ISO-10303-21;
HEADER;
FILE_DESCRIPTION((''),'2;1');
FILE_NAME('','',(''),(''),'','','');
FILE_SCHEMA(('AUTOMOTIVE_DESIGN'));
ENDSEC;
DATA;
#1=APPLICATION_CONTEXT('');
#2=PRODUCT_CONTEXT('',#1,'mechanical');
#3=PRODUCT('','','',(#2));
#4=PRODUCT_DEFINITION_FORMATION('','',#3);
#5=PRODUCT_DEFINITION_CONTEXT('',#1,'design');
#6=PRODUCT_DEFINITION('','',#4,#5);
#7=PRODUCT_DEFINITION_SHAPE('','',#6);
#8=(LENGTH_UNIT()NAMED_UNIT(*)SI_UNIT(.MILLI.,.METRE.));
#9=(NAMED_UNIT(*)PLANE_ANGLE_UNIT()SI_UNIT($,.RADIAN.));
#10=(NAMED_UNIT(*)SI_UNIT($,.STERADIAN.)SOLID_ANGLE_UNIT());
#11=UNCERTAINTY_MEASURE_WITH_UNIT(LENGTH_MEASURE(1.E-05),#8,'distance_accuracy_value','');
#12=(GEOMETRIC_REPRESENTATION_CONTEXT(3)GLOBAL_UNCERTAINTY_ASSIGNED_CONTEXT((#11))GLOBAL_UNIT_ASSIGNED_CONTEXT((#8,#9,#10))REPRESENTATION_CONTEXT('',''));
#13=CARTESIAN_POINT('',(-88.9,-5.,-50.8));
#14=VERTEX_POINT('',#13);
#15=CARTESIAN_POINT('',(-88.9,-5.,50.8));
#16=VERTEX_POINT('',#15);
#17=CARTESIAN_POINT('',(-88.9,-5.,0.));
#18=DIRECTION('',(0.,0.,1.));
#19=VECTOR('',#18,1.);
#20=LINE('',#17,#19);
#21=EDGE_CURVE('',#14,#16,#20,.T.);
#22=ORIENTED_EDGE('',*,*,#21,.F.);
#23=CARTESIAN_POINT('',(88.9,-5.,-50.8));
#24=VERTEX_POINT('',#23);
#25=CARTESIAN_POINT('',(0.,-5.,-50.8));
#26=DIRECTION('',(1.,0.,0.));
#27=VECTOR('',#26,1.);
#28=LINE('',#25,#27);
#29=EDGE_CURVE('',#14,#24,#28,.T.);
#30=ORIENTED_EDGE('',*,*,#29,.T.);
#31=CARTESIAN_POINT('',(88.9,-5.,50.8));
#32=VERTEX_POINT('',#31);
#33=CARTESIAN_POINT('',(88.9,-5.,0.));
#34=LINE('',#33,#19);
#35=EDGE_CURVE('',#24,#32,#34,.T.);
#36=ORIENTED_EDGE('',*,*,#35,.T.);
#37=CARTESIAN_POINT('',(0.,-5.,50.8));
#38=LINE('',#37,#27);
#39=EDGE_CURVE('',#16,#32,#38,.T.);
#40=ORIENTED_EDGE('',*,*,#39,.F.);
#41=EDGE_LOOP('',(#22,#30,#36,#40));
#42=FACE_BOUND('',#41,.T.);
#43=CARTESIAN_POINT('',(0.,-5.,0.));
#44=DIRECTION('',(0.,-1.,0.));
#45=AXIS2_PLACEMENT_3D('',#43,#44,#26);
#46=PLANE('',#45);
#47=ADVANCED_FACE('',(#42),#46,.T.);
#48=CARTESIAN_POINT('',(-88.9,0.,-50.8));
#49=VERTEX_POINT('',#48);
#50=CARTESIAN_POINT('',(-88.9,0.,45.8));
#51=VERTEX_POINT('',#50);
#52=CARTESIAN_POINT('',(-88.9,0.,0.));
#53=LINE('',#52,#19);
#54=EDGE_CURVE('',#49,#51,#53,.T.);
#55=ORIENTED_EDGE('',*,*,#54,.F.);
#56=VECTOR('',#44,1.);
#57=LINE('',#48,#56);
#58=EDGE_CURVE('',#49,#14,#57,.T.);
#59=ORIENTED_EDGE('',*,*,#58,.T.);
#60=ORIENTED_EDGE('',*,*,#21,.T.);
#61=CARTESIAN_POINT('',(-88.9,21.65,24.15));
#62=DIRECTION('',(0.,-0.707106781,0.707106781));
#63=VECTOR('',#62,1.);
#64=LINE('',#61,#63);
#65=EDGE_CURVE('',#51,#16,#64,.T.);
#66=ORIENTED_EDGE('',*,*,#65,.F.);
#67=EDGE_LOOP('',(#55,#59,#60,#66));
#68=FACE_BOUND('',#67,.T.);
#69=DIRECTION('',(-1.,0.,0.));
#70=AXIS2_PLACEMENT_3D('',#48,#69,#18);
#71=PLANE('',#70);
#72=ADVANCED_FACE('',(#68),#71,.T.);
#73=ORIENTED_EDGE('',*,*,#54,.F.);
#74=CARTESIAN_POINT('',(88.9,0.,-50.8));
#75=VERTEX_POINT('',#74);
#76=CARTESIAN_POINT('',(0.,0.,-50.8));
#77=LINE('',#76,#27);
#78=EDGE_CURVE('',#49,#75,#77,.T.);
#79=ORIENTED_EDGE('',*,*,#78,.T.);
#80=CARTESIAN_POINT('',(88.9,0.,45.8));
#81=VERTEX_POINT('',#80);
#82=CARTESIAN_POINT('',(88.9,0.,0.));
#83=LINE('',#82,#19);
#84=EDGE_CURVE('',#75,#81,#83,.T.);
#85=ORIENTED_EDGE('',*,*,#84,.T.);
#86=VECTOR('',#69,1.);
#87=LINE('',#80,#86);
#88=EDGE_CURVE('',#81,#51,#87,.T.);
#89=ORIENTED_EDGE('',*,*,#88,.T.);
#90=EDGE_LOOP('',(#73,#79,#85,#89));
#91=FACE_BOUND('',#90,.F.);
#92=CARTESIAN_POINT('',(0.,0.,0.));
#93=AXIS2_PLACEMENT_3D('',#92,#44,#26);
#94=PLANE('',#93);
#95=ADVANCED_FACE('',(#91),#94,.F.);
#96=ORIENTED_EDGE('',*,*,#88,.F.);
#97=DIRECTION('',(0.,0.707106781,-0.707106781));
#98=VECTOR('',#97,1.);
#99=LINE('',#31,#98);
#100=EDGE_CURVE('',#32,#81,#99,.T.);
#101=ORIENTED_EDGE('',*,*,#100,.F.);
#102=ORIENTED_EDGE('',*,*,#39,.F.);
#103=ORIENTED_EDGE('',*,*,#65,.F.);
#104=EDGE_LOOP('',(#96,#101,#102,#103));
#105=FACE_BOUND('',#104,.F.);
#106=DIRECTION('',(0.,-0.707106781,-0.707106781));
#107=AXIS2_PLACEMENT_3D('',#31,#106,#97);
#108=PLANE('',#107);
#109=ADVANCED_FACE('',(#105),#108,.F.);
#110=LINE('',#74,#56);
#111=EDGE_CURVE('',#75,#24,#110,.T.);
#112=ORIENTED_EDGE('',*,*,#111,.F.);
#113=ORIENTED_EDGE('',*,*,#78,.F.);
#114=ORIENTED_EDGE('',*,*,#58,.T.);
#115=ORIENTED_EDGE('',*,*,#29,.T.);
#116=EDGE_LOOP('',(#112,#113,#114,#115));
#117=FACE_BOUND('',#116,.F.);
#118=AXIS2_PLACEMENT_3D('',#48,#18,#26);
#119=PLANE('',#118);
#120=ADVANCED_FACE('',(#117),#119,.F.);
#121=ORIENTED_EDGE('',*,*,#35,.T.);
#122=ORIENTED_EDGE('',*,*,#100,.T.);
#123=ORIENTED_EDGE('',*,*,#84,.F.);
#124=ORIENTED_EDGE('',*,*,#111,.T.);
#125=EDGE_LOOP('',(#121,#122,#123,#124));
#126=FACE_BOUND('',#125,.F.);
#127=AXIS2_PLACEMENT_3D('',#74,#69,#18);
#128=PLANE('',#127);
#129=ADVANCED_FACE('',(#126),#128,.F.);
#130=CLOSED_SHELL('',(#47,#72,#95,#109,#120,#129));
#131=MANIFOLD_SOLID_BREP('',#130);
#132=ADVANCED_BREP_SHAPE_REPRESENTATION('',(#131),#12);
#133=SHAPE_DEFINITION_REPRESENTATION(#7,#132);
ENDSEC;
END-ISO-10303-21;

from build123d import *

# Parameters (mm, degrees)
F0_W     = 177.8
F0_H     = 101.6
F1_DEPTH = 5
F3_DEPTH = 177.801


with BuildPart() as f1:
    # F0 (on Front) → F1 (new body)
    with BuildSketch(Plane.XZ):
        Rectangle(F0_W, F0_H)
    extrude(amount=F1_DEPTH)

    # F2 (on face) → F3 (cut, through all)
    with BuildSketch(Plane.YZ.offset(88.9)):
        Polygon((0, 50.8), (-5, 50.8), (0, 45.8), align=None)
    extrude(amount=-F3_DEPTH, mode=Mode.SUBTRACT)


solid = f1.part
